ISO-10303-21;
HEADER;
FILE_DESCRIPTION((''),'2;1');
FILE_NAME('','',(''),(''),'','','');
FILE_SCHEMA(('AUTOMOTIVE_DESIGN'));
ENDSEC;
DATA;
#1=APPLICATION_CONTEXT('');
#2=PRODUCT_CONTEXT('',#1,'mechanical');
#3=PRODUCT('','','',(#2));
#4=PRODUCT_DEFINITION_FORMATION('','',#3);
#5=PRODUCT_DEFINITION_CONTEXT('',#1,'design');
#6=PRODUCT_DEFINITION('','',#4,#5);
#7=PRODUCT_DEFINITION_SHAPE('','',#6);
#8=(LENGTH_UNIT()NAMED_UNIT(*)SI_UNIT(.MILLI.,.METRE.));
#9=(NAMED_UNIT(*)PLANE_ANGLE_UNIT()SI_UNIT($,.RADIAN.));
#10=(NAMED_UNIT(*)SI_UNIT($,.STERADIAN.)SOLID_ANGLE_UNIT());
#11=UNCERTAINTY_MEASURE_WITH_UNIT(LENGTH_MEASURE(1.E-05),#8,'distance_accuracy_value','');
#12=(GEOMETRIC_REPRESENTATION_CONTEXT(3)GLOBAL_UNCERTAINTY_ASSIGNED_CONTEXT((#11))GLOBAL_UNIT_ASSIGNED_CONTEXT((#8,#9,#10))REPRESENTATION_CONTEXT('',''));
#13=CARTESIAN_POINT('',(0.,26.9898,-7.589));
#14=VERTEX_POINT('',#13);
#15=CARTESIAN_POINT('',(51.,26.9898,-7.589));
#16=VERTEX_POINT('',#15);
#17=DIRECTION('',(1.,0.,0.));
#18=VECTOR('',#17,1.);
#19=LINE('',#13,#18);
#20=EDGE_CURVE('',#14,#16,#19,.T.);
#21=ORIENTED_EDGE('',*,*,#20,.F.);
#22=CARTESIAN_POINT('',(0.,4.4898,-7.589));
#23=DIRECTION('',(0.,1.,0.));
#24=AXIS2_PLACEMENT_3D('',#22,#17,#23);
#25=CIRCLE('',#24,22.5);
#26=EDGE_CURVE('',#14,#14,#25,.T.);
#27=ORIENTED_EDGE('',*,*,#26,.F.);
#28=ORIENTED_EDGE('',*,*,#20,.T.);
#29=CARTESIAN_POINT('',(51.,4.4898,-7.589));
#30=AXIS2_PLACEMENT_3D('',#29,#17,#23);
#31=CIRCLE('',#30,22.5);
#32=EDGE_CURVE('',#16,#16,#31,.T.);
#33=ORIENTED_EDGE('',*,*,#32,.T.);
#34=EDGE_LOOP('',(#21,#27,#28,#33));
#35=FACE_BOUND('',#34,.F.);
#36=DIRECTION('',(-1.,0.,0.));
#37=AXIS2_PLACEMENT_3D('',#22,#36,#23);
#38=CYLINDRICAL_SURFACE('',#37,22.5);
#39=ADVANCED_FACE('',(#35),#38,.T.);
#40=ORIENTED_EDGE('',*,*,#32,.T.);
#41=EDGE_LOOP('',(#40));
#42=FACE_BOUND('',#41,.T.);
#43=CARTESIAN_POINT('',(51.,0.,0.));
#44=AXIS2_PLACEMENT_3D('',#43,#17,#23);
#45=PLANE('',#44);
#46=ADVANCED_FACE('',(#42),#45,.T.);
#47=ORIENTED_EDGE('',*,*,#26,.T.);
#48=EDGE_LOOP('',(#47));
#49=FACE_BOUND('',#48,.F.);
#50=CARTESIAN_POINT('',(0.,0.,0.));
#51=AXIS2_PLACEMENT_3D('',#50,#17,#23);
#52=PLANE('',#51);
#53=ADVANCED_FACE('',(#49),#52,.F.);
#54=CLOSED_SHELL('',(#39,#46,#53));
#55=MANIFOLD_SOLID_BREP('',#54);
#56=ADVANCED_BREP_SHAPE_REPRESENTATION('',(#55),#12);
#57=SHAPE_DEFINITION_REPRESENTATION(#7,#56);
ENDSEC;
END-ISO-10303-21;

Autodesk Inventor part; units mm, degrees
ref_plane "YZ Plane" through (0, 0, 0) normal (1, 0, 0) x (0, 1, 0)
ref_plane "XZ Plane" through (0, 0, 0) normal (0, 1, 0) x (-1, 0, 0)
ref_plane "XY Plane" through (0, 0, 0) normal (0, 0, 1) x (1, 0, 0)
sketch "スケッチ1" plane through (0, 0, 0) normal (1, 0, 0) x (0, 1, 0)
  circle A0 centre (4.4898, -7.589) radius 22.5
  point P0 (0, 0)
  dimension "d0" = 45
  dimension "d0" = 45
extrude "押し出し1" add sketch "スケッチ1" along normal blind 51
properties part number "おもり" material "ステンレス鋼"
